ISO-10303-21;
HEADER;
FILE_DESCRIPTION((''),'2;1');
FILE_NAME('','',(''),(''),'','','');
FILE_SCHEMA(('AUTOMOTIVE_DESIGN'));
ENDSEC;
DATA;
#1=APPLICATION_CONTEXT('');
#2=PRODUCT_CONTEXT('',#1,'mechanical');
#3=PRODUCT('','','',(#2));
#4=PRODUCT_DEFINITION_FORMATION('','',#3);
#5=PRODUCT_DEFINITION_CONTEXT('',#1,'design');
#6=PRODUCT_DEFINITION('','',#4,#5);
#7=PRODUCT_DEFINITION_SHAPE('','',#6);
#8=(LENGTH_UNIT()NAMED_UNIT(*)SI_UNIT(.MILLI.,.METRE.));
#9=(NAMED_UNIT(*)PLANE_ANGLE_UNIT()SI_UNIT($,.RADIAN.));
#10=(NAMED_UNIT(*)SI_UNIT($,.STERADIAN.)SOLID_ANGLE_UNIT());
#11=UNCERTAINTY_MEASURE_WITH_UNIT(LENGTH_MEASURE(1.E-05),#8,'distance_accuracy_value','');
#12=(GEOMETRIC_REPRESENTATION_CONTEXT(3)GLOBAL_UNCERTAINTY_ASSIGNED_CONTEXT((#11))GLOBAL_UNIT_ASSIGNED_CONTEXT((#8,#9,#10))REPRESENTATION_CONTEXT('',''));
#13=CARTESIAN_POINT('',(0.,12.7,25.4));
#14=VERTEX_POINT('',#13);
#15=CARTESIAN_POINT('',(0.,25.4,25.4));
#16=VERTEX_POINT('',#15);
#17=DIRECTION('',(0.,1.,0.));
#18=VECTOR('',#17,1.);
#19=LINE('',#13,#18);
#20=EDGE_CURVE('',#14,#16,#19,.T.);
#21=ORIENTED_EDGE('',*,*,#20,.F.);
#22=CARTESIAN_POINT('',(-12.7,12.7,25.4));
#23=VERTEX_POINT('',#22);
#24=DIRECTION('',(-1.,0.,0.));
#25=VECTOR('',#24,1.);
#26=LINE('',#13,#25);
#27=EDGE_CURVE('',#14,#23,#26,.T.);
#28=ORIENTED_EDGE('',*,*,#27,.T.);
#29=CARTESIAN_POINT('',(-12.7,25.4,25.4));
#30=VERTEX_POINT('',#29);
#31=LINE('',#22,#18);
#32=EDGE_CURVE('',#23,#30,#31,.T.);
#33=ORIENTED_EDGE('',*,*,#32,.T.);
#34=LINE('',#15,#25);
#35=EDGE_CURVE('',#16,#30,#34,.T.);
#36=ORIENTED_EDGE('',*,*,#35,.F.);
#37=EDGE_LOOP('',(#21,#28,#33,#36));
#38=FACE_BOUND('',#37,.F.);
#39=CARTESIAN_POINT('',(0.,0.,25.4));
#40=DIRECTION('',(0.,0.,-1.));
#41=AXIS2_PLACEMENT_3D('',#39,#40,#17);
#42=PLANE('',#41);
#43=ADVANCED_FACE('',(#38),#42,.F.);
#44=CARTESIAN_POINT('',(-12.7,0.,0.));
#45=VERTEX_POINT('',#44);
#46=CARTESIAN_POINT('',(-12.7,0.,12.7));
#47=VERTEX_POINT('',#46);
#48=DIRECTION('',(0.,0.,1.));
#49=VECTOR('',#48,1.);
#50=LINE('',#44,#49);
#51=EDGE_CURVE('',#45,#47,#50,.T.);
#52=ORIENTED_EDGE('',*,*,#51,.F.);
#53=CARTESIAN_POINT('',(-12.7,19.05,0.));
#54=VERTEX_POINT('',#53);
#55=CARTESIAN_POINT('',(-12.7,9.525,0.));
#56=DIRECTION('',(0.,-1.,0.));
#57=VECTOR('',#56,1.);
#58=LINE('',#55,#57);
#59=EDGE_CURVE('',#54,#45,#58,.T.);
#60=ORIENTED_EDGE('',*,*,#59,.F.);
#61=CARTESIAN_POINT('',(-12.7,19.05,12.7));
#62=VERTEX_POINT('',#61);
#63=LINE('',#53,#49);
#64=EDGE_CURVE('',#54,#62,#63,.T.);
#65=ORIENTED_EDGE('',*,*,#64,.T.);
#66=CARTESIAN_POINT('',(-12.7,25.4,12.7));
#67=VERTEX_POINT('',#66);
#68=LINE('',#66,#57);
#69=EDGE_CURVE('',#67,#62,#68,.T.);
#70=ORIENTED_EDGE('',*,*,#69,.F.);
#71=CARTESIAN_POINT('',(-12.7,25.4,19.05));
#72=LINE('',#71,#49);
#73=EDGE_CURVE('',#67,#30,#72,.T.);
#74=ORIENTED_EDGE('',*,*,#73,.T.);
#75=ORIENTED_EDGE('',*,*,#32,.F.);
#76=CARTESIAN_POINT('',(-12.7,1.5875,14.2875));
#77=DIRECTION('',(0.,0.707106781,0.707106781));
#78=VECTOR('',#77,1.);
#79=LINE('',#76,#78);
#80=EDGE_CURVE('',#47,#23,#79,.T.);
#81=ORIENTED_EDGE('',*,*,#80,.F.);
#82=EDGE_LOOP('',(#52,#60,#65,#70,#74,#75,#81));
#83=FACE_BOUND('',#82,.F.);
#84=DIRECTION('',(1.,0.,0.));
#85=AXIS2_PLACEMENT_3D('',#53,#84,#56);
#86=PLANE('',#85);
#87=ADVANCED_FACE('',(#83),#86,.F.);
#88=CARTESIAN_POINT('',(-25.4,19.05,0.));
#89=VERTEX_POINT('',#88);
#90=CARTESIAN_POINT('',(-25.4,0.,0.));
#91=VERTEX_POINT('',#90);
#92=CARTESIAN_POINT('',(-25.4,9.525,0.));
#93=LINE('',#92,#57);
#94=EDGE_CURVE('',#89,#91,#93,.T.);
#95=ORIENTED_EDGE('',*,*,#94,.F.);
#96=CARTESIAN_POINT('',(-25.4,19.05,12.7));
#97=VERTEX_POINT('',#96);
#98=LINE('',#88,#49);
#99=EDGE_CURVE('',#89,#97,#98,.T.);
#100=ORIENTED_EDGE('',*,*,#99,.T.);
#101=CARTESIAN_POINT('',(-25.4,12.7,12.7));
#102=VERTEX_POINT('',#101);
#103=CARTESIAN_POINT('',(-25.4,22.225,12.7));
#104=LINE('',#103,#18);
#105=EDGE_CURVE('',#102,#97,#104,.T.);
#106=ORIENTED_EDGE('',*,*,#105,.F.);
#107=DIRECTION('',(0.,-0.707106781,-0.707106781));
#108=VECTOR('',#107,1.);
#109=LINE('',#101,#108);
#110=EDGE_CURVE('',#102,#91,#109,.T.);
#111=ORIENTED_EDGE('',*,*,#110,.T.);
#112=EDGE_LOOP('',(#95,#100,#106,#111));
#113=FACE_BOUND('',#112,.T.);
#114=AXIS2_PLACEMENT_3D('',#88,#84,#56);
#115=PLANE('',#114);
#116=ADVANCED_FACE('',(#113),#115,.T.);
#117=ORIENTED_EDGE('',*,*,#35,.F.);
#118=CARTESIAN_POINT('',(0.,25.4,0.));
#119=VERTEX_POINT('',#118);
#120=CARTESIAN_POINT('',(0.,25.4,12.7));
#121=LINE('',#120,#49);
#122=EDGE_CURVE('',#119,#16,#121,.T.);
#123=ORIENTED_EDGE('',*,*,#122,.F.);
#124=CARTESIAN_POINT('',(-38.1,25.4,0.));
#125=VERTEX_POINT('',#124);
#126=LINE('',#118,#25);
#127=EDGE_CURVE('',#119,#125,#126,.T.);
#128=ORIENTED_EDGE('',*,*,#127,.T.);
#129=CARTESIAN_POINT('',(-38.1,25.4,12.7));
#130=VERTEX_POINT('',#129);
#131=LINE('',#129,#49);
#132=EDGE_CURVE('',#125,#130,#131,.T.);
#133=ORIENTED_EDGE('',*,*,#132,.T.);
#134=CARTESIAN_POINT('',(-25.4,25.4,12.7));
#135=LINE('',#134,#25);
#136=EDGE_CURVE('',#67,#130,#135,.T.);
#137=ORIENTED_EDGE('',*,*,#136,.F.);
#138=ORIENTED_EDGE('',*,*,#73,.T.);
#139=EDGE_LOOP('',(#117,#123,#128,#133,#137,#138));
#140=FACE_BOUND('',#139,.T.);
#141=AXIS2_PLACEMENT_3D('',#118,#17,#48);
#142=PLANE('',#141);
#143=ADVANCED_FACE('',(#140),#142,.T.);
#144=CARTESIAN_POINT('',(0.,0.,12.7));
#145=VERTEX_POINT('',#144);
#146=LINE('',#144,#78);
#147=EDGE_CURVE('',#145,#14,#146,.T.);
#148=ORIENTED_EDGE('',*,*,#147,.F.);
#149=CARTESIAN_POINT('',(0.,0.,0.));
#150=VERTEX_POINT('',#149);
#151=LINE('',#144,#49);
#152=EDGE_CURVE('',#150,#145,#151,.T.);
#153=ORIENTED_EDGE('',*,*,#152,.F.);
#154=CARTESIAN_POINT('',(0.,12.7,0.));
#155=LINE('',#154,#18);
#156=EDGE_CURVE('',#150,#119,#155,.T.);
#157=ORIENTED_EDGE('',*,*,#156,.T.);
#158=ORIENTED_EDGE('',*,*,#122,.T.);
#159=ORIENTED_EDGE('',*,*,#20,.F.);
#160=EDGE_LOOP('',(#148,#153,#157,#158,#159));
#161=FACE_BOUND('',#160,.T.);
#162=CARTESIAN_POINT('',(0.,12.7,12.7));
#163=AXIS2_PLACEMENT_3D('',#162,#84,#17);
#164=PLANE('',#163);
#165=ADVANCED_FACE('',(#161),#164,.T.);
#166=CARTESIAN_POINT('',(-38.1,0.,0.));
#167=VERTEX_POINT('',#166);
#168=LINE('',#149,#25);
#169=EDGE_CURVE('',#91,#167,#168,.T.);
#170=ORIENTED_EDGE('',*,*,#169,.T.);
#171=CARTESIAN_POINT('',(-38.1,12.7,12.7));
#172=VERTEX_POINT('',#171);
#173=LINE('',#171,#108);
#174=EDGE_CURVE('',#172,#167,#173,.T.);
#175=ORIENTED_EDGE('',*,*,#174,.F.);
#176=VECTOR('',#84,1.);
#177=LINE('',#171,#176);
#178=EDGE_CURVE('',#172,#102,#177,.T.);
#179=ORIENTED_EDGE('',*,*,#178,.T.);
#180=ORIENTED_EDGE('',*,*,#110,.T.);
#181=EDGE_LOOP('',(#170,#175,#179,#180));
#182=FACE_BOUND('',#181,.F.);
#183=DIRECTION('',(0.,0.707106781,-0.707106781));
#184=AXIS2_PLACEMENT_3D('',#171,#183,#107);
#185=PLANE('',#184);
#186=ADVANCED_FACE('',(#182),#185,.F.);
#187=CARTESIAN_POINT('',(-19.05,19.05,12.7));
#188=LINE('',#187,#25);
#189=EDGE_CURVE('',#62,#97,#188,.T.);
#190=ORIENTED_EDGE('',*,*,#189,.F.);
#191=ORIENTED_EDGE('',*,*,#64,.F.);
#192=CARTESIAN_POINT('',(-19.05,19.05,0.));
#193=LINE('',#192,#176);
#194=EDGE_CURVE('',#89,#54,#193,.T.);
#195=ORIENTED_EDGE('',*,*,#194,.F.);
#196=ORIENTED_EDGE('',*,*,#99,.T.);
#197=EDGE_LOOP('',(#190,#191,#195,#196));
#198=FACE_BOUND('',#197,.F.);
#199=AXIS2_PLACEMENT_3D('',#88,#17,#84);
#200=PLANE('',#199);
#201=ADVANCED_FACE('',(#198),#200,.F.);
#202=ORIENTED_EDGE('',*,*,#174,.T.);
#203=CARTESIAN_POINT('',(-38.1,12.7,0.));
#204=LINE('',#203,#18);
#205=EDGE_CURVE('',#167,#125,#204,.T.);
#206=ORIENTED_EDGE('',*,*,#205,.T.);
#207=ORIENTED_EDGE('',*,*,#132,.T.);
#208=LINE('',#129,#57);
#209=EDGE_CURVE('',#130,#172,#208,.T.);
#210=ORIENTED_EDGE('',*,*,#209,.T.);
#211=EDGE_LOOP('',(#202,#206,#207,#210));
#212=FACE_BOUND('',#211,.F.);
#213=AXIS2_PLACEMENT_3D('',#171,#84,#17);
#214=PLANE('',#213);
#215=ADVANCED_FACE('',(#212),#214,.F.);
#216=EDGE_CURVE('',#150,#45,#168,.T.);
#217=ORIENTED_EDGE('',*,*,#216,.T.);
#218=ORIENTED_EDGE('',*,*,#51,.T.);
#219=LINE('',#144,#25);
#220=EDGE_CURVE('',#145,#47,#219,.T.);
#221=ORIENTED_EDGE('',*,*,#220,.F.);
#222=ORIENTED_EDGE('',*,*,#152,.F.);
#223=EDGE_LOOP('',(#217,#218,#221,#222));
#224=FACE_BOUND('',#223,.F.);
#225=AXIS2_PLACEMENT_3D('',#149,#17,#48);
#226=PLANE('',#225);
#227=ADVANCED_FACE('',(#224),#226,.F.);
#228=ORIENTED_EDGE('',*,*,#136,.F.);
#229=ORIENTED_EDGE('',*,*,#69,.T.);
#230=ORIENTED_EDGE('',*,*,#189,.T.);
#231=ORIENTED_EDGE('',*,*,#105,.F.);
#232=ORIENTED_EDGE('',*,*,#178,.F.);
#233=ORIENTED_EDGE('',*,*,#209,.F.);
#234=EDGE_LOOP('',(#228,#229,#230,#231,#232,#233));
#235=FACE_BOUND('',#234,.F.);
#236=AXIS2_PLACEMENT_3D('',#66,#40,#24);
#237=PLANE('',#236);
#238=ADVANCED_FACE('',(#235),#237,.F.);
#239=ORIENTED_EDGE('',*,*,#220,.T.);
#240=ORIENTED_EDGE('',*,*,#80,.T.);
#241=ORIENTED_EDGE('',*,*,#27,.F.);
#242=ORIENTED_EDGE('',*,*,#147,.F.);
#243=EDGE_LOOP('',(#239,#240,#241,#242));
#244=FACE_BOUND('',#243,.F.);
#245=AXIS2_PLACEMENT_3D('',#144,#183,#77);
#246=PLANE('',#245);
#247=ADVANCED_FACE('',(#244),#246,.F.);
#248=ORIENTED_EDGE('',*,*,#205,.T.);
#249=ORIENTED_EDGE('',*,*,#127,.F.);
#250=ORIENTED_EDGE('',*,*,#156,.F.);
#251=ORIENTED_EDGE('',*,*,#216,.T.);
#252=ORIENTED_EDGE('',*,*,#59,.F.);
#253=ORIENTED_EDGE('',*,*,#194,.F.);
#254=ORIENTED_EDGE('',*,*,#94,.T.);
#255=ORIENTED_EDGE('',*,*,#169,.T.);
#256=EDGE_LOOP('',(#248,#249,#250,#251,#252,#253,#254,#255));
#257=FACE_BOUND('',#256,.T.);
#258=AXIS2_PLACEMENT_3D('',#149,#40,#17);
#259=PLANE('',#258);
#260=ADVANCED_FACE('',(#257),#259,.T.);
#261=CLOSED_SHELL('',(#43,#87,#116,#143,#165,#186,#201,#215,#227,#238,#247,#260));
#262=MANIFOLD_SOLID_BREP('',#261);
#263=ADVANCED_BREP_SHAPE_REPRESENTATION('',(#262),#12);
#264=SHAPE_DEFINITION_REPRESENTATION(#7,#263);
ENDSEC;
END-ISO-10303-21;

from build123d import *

# Parameters (mm, degrees)
F0_W     = 25.4
F0_H     = 25.4
F1_DEPTH = 38.1
F2_W     = 12.7
F2_H     = 19.05
F3_DEPTH = 25.401
F5_DEPTH = 38.101
F6_W     = 25.4
F6_H     = 12.7
F7_DEPTH = 25.401
F9_DEPTH = 12.7


with BuildPart() as f1:
    # F0 (on Right) → F1 (new body)
    with BuildSketch(Plane.YZ):
        with Locations((12.7, 12.7)):
            Rectangle(F0_W, F0_H)
    extrude(amount=-F1_DEPTH)

    # F2 (on face) → F3 (cut, through all)
    with BuildSketch(Plane(origin=(0, 0, 0), x_dir=(1, 0, 0), z_dir=(0, 0, -1))):
        with Locations((-19.05, -9.525)):
            Rectangle(F2_W, F2_H)
    extrude(amount=-F3_DEPTH, mode=Mode.SUBTRACT)

    # F4 (on face) → F5 (cut, through all)
    with BuildSketch(Plane.YZ):
        Polygon((0, 25.4), (0, 12.7), (12.7, 25.4), align=None)
    extrude(amount=-F5_DEPTH, mode=Mode.SUBTRACT)

    # F6 (on face) → F7 (cut, through all)
    with BuildSketch(Plane(origin=(0, 25.4, 0), x_dir=(-1, 0, 0), z_dir=(0, 1, 0))):
        with Locations((25.4, 19.05)):
            Rectangle(F6_W, F6_H)
    extrude(amount=-F7_DEPTH, mode=Mode.SUBTRACT)

    # F8 (on face) → F9 (cut)
    with BuildSketch(Plane(origin=(-38.1, 0, 0), x_dir=(0, -1, 0), z_dir=(-1, 0, 0))):
        Polygon((-12.7, 12.7), (0, 0), (0, 12.7), align=None)
    extrude(amount=-F9_DEPTH, mode=Mode.SUBTRACT)


solid = f1.part
